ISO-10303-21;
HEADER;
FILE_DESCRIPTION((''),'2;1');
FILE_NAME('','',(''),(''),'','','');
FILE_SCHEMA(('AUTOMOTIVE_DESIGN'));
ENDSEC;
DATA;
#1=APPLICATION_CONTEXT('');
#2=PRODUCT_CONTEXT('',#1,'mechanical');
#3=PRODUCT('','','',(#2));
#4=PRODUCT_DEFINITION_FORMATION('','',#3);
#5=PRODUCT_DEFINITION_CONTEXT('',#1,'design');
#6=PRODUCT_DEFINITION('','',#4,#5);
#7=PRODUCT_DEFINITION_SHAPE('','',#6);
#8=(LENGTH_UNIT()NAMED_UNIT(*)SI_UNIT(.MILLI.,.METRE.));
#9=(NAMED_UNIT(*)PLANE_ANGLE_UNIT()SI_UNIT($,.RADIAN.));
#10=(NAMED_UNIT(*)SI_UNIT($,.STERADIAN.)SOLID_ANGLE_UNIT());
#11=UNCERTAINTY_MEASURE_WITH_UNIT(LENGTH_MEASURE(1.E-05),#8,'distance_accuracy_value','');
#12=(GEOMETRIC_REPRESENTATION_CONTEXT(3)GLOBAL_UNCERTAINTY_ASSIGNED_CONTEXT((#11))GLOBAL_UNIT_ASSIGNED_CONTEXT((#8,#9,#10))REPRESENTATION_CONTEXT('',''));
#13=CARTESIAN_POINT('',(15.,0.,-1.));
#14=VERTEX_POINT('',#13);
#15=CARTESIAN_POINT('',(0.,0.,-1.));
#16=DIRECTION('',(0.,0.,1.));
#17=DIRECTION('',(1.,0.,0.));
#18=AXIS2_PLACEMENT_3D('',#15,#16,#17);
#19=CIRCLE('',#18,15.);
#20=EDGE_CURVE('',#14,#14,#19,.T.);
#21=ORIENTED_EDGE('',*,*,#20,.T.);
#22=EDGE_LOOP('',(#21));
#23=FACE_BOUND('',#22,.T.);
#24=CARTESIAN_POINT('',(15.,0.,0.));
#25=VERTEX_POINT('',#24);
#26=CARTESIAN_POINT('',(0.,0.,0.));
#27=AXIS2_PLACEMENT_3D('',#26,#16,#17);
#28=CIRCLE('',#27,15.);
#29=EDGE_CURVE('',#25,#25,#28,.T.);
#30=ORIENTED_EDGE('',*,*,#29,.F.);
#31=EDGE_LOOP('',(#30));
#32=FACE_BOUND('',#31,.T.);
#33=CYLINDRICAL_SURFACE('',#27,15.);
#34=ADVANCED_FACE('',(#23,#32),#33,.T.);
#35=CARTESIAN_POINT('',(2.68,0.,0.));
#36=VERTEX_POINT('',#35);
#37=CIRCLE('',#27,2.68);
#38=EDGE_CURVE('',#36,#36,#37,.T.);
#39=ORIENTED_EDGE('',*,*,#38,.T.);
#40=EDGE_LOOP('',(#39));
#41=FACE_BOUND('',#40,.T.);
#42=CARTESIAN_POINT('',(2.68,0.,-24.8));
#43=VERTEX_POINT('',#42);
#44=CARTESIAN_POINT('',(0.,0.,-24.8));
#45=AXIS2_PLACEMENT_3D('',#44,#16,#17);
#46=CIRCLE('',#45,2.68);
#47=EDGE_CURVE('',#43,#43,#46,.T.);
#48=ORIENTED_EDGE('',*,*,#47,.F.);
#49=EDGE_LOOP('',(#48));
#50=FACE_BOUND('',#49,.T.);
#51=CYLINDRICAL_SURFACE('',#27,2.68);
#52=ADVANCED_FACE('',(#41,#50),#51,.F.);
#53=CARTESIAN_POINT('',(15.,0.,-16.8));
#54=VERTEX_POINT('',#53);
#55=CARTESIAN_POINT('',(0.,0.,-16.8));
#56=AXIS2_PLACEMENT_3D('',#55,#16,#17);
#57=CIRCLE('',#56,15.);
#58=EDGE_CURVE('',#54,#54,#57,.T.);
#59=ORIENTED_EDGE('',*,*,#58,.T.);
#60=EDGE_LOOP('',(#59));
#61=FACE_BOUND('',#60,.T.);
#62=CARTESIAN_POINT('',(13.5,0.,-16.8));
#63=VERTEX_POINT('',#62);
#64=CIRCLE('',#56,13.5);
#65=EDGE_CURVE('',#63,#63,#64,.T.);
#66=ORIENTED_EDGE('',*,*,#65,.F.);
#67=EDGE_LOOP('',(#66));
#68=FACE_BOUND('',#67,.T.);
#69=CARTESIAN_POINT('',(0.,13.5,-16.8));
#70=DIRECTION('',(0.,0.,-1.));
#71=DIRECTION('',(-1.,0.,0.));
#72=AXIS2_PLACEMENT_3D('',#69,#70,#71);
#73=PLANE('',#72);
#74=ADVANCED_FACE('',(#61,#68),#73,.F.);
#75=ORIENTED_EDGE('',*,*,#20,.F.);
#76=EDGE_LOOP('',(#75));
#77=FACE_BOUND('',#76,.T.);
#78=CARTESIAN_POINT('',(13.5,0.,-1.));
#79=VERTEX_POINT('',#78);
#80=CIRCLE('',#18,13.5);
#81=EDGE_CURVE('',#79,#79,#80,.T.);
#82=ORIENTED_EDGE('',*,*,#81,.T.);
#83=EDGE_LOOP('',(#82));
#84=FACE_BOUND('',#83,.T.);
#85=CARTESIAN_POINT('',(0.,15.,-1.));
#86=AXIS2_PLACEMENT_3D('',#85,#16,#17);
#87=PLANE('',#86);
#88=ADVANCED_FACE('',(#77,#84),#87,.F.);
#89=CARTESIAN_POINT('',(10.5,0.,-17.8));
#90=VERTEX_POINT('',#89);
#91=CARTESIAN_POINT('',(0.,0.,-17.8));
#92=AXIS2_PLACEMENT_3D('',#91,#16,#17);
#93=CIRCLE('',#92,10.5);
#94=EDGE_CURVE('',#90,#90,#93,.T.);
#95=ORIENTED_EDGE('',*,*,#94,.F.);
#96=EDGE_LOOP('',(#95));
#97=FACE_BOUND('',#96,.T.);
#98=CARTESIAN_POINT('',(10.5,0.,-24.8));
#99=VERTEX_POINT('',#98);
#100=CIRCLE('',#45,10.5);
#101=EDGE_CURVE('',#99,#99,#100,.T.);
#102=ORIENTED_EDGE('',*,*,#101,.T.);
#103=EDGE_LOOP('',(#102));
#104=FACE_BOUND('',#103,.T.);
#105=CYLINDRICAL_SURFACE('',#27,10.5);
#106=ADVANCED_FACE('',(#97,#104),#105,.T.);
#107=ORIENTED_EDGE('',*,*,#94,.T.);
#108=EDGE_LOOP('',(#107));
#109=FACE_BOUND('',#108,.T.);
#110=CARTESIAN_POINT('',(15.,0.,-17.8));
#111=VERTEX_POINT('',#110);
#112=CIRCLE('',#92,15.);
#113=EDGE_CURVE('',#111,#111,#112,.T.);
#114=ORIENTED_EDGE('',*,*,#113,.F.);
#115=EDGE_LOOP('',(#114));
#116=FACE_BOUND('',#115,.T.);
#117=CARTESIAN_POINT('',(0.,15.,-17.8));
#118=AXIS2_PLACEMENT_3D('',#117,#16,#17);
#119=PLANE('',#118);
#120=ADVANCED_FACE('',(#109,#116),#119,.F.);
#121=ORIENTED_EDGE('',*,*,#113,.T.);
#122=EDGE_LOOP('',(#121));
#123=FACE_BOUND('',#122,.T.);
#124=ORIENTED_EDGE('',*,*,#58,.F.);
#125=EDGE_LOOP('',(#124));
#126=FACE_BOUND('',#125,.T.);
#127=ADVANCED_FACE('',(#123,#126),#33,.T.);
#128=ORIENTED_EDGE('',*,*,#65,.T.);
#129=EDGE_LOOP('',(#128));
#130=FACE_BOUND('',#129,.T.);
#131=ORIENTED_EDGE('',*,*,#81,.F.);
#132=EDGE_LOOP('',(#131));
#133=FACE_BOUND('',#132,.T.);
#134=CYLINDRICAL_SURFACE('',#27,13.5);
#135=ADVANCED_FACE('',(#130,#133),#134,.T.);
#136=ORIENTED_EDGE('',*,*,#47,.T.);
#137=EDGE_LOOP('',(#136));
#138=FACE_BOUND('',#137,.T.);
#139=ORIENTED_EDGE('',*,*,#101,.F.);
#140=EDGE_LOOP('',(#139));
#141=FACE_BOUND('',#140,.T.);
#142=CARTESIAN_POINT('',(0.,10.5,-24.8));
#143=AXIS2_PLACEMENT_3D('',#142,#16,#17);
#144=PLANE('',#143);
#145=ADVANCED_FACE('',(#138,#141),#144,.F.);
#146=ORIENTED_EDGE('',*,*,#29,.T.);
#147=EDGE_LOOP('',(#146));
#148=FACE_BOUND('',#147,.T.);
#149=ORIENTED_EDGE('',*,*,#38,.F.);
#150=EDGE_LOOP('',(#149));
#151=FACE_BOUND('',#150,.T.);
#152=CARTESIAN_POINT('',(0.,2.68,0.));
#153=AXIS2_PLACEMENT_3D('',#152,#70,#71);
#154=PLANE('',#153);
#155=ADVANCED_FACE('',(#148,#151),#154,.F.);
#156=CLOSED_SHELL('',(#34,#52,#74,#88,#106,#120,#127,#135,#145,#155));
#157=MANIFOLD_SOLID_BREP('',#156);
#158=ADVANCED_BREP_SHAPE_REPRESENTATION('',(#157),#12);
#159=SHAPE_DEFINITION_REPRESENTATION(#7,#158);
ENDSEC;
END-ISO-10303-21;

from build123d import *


with BuildPart() as part:
    # Sketch1 → Revolve1 (revolve)
    with BuildSketch(Plane(origin=(0, 0, 0), x_dir=(0, 0, -1), z_dir=(1, 0, 0)), mode=Mode.PRIVATE) as revolve1_sk:
        Polygon((0, 2.68), (0, 15), (1, 15), (1, 13.5), (16.8, 13.5), (16.8, 15), (17.8, 15), (17.8, 10.5), (24.8, 10.5), (24.8, 2.68), align=None)
    revolve(revolve1_sk.sketch.rotate(Axis((0, 0, 0), (0, 0, -1)), 90), axis=Axis((0, 0, 0), (0, 0, -1)))


solid = part.part
